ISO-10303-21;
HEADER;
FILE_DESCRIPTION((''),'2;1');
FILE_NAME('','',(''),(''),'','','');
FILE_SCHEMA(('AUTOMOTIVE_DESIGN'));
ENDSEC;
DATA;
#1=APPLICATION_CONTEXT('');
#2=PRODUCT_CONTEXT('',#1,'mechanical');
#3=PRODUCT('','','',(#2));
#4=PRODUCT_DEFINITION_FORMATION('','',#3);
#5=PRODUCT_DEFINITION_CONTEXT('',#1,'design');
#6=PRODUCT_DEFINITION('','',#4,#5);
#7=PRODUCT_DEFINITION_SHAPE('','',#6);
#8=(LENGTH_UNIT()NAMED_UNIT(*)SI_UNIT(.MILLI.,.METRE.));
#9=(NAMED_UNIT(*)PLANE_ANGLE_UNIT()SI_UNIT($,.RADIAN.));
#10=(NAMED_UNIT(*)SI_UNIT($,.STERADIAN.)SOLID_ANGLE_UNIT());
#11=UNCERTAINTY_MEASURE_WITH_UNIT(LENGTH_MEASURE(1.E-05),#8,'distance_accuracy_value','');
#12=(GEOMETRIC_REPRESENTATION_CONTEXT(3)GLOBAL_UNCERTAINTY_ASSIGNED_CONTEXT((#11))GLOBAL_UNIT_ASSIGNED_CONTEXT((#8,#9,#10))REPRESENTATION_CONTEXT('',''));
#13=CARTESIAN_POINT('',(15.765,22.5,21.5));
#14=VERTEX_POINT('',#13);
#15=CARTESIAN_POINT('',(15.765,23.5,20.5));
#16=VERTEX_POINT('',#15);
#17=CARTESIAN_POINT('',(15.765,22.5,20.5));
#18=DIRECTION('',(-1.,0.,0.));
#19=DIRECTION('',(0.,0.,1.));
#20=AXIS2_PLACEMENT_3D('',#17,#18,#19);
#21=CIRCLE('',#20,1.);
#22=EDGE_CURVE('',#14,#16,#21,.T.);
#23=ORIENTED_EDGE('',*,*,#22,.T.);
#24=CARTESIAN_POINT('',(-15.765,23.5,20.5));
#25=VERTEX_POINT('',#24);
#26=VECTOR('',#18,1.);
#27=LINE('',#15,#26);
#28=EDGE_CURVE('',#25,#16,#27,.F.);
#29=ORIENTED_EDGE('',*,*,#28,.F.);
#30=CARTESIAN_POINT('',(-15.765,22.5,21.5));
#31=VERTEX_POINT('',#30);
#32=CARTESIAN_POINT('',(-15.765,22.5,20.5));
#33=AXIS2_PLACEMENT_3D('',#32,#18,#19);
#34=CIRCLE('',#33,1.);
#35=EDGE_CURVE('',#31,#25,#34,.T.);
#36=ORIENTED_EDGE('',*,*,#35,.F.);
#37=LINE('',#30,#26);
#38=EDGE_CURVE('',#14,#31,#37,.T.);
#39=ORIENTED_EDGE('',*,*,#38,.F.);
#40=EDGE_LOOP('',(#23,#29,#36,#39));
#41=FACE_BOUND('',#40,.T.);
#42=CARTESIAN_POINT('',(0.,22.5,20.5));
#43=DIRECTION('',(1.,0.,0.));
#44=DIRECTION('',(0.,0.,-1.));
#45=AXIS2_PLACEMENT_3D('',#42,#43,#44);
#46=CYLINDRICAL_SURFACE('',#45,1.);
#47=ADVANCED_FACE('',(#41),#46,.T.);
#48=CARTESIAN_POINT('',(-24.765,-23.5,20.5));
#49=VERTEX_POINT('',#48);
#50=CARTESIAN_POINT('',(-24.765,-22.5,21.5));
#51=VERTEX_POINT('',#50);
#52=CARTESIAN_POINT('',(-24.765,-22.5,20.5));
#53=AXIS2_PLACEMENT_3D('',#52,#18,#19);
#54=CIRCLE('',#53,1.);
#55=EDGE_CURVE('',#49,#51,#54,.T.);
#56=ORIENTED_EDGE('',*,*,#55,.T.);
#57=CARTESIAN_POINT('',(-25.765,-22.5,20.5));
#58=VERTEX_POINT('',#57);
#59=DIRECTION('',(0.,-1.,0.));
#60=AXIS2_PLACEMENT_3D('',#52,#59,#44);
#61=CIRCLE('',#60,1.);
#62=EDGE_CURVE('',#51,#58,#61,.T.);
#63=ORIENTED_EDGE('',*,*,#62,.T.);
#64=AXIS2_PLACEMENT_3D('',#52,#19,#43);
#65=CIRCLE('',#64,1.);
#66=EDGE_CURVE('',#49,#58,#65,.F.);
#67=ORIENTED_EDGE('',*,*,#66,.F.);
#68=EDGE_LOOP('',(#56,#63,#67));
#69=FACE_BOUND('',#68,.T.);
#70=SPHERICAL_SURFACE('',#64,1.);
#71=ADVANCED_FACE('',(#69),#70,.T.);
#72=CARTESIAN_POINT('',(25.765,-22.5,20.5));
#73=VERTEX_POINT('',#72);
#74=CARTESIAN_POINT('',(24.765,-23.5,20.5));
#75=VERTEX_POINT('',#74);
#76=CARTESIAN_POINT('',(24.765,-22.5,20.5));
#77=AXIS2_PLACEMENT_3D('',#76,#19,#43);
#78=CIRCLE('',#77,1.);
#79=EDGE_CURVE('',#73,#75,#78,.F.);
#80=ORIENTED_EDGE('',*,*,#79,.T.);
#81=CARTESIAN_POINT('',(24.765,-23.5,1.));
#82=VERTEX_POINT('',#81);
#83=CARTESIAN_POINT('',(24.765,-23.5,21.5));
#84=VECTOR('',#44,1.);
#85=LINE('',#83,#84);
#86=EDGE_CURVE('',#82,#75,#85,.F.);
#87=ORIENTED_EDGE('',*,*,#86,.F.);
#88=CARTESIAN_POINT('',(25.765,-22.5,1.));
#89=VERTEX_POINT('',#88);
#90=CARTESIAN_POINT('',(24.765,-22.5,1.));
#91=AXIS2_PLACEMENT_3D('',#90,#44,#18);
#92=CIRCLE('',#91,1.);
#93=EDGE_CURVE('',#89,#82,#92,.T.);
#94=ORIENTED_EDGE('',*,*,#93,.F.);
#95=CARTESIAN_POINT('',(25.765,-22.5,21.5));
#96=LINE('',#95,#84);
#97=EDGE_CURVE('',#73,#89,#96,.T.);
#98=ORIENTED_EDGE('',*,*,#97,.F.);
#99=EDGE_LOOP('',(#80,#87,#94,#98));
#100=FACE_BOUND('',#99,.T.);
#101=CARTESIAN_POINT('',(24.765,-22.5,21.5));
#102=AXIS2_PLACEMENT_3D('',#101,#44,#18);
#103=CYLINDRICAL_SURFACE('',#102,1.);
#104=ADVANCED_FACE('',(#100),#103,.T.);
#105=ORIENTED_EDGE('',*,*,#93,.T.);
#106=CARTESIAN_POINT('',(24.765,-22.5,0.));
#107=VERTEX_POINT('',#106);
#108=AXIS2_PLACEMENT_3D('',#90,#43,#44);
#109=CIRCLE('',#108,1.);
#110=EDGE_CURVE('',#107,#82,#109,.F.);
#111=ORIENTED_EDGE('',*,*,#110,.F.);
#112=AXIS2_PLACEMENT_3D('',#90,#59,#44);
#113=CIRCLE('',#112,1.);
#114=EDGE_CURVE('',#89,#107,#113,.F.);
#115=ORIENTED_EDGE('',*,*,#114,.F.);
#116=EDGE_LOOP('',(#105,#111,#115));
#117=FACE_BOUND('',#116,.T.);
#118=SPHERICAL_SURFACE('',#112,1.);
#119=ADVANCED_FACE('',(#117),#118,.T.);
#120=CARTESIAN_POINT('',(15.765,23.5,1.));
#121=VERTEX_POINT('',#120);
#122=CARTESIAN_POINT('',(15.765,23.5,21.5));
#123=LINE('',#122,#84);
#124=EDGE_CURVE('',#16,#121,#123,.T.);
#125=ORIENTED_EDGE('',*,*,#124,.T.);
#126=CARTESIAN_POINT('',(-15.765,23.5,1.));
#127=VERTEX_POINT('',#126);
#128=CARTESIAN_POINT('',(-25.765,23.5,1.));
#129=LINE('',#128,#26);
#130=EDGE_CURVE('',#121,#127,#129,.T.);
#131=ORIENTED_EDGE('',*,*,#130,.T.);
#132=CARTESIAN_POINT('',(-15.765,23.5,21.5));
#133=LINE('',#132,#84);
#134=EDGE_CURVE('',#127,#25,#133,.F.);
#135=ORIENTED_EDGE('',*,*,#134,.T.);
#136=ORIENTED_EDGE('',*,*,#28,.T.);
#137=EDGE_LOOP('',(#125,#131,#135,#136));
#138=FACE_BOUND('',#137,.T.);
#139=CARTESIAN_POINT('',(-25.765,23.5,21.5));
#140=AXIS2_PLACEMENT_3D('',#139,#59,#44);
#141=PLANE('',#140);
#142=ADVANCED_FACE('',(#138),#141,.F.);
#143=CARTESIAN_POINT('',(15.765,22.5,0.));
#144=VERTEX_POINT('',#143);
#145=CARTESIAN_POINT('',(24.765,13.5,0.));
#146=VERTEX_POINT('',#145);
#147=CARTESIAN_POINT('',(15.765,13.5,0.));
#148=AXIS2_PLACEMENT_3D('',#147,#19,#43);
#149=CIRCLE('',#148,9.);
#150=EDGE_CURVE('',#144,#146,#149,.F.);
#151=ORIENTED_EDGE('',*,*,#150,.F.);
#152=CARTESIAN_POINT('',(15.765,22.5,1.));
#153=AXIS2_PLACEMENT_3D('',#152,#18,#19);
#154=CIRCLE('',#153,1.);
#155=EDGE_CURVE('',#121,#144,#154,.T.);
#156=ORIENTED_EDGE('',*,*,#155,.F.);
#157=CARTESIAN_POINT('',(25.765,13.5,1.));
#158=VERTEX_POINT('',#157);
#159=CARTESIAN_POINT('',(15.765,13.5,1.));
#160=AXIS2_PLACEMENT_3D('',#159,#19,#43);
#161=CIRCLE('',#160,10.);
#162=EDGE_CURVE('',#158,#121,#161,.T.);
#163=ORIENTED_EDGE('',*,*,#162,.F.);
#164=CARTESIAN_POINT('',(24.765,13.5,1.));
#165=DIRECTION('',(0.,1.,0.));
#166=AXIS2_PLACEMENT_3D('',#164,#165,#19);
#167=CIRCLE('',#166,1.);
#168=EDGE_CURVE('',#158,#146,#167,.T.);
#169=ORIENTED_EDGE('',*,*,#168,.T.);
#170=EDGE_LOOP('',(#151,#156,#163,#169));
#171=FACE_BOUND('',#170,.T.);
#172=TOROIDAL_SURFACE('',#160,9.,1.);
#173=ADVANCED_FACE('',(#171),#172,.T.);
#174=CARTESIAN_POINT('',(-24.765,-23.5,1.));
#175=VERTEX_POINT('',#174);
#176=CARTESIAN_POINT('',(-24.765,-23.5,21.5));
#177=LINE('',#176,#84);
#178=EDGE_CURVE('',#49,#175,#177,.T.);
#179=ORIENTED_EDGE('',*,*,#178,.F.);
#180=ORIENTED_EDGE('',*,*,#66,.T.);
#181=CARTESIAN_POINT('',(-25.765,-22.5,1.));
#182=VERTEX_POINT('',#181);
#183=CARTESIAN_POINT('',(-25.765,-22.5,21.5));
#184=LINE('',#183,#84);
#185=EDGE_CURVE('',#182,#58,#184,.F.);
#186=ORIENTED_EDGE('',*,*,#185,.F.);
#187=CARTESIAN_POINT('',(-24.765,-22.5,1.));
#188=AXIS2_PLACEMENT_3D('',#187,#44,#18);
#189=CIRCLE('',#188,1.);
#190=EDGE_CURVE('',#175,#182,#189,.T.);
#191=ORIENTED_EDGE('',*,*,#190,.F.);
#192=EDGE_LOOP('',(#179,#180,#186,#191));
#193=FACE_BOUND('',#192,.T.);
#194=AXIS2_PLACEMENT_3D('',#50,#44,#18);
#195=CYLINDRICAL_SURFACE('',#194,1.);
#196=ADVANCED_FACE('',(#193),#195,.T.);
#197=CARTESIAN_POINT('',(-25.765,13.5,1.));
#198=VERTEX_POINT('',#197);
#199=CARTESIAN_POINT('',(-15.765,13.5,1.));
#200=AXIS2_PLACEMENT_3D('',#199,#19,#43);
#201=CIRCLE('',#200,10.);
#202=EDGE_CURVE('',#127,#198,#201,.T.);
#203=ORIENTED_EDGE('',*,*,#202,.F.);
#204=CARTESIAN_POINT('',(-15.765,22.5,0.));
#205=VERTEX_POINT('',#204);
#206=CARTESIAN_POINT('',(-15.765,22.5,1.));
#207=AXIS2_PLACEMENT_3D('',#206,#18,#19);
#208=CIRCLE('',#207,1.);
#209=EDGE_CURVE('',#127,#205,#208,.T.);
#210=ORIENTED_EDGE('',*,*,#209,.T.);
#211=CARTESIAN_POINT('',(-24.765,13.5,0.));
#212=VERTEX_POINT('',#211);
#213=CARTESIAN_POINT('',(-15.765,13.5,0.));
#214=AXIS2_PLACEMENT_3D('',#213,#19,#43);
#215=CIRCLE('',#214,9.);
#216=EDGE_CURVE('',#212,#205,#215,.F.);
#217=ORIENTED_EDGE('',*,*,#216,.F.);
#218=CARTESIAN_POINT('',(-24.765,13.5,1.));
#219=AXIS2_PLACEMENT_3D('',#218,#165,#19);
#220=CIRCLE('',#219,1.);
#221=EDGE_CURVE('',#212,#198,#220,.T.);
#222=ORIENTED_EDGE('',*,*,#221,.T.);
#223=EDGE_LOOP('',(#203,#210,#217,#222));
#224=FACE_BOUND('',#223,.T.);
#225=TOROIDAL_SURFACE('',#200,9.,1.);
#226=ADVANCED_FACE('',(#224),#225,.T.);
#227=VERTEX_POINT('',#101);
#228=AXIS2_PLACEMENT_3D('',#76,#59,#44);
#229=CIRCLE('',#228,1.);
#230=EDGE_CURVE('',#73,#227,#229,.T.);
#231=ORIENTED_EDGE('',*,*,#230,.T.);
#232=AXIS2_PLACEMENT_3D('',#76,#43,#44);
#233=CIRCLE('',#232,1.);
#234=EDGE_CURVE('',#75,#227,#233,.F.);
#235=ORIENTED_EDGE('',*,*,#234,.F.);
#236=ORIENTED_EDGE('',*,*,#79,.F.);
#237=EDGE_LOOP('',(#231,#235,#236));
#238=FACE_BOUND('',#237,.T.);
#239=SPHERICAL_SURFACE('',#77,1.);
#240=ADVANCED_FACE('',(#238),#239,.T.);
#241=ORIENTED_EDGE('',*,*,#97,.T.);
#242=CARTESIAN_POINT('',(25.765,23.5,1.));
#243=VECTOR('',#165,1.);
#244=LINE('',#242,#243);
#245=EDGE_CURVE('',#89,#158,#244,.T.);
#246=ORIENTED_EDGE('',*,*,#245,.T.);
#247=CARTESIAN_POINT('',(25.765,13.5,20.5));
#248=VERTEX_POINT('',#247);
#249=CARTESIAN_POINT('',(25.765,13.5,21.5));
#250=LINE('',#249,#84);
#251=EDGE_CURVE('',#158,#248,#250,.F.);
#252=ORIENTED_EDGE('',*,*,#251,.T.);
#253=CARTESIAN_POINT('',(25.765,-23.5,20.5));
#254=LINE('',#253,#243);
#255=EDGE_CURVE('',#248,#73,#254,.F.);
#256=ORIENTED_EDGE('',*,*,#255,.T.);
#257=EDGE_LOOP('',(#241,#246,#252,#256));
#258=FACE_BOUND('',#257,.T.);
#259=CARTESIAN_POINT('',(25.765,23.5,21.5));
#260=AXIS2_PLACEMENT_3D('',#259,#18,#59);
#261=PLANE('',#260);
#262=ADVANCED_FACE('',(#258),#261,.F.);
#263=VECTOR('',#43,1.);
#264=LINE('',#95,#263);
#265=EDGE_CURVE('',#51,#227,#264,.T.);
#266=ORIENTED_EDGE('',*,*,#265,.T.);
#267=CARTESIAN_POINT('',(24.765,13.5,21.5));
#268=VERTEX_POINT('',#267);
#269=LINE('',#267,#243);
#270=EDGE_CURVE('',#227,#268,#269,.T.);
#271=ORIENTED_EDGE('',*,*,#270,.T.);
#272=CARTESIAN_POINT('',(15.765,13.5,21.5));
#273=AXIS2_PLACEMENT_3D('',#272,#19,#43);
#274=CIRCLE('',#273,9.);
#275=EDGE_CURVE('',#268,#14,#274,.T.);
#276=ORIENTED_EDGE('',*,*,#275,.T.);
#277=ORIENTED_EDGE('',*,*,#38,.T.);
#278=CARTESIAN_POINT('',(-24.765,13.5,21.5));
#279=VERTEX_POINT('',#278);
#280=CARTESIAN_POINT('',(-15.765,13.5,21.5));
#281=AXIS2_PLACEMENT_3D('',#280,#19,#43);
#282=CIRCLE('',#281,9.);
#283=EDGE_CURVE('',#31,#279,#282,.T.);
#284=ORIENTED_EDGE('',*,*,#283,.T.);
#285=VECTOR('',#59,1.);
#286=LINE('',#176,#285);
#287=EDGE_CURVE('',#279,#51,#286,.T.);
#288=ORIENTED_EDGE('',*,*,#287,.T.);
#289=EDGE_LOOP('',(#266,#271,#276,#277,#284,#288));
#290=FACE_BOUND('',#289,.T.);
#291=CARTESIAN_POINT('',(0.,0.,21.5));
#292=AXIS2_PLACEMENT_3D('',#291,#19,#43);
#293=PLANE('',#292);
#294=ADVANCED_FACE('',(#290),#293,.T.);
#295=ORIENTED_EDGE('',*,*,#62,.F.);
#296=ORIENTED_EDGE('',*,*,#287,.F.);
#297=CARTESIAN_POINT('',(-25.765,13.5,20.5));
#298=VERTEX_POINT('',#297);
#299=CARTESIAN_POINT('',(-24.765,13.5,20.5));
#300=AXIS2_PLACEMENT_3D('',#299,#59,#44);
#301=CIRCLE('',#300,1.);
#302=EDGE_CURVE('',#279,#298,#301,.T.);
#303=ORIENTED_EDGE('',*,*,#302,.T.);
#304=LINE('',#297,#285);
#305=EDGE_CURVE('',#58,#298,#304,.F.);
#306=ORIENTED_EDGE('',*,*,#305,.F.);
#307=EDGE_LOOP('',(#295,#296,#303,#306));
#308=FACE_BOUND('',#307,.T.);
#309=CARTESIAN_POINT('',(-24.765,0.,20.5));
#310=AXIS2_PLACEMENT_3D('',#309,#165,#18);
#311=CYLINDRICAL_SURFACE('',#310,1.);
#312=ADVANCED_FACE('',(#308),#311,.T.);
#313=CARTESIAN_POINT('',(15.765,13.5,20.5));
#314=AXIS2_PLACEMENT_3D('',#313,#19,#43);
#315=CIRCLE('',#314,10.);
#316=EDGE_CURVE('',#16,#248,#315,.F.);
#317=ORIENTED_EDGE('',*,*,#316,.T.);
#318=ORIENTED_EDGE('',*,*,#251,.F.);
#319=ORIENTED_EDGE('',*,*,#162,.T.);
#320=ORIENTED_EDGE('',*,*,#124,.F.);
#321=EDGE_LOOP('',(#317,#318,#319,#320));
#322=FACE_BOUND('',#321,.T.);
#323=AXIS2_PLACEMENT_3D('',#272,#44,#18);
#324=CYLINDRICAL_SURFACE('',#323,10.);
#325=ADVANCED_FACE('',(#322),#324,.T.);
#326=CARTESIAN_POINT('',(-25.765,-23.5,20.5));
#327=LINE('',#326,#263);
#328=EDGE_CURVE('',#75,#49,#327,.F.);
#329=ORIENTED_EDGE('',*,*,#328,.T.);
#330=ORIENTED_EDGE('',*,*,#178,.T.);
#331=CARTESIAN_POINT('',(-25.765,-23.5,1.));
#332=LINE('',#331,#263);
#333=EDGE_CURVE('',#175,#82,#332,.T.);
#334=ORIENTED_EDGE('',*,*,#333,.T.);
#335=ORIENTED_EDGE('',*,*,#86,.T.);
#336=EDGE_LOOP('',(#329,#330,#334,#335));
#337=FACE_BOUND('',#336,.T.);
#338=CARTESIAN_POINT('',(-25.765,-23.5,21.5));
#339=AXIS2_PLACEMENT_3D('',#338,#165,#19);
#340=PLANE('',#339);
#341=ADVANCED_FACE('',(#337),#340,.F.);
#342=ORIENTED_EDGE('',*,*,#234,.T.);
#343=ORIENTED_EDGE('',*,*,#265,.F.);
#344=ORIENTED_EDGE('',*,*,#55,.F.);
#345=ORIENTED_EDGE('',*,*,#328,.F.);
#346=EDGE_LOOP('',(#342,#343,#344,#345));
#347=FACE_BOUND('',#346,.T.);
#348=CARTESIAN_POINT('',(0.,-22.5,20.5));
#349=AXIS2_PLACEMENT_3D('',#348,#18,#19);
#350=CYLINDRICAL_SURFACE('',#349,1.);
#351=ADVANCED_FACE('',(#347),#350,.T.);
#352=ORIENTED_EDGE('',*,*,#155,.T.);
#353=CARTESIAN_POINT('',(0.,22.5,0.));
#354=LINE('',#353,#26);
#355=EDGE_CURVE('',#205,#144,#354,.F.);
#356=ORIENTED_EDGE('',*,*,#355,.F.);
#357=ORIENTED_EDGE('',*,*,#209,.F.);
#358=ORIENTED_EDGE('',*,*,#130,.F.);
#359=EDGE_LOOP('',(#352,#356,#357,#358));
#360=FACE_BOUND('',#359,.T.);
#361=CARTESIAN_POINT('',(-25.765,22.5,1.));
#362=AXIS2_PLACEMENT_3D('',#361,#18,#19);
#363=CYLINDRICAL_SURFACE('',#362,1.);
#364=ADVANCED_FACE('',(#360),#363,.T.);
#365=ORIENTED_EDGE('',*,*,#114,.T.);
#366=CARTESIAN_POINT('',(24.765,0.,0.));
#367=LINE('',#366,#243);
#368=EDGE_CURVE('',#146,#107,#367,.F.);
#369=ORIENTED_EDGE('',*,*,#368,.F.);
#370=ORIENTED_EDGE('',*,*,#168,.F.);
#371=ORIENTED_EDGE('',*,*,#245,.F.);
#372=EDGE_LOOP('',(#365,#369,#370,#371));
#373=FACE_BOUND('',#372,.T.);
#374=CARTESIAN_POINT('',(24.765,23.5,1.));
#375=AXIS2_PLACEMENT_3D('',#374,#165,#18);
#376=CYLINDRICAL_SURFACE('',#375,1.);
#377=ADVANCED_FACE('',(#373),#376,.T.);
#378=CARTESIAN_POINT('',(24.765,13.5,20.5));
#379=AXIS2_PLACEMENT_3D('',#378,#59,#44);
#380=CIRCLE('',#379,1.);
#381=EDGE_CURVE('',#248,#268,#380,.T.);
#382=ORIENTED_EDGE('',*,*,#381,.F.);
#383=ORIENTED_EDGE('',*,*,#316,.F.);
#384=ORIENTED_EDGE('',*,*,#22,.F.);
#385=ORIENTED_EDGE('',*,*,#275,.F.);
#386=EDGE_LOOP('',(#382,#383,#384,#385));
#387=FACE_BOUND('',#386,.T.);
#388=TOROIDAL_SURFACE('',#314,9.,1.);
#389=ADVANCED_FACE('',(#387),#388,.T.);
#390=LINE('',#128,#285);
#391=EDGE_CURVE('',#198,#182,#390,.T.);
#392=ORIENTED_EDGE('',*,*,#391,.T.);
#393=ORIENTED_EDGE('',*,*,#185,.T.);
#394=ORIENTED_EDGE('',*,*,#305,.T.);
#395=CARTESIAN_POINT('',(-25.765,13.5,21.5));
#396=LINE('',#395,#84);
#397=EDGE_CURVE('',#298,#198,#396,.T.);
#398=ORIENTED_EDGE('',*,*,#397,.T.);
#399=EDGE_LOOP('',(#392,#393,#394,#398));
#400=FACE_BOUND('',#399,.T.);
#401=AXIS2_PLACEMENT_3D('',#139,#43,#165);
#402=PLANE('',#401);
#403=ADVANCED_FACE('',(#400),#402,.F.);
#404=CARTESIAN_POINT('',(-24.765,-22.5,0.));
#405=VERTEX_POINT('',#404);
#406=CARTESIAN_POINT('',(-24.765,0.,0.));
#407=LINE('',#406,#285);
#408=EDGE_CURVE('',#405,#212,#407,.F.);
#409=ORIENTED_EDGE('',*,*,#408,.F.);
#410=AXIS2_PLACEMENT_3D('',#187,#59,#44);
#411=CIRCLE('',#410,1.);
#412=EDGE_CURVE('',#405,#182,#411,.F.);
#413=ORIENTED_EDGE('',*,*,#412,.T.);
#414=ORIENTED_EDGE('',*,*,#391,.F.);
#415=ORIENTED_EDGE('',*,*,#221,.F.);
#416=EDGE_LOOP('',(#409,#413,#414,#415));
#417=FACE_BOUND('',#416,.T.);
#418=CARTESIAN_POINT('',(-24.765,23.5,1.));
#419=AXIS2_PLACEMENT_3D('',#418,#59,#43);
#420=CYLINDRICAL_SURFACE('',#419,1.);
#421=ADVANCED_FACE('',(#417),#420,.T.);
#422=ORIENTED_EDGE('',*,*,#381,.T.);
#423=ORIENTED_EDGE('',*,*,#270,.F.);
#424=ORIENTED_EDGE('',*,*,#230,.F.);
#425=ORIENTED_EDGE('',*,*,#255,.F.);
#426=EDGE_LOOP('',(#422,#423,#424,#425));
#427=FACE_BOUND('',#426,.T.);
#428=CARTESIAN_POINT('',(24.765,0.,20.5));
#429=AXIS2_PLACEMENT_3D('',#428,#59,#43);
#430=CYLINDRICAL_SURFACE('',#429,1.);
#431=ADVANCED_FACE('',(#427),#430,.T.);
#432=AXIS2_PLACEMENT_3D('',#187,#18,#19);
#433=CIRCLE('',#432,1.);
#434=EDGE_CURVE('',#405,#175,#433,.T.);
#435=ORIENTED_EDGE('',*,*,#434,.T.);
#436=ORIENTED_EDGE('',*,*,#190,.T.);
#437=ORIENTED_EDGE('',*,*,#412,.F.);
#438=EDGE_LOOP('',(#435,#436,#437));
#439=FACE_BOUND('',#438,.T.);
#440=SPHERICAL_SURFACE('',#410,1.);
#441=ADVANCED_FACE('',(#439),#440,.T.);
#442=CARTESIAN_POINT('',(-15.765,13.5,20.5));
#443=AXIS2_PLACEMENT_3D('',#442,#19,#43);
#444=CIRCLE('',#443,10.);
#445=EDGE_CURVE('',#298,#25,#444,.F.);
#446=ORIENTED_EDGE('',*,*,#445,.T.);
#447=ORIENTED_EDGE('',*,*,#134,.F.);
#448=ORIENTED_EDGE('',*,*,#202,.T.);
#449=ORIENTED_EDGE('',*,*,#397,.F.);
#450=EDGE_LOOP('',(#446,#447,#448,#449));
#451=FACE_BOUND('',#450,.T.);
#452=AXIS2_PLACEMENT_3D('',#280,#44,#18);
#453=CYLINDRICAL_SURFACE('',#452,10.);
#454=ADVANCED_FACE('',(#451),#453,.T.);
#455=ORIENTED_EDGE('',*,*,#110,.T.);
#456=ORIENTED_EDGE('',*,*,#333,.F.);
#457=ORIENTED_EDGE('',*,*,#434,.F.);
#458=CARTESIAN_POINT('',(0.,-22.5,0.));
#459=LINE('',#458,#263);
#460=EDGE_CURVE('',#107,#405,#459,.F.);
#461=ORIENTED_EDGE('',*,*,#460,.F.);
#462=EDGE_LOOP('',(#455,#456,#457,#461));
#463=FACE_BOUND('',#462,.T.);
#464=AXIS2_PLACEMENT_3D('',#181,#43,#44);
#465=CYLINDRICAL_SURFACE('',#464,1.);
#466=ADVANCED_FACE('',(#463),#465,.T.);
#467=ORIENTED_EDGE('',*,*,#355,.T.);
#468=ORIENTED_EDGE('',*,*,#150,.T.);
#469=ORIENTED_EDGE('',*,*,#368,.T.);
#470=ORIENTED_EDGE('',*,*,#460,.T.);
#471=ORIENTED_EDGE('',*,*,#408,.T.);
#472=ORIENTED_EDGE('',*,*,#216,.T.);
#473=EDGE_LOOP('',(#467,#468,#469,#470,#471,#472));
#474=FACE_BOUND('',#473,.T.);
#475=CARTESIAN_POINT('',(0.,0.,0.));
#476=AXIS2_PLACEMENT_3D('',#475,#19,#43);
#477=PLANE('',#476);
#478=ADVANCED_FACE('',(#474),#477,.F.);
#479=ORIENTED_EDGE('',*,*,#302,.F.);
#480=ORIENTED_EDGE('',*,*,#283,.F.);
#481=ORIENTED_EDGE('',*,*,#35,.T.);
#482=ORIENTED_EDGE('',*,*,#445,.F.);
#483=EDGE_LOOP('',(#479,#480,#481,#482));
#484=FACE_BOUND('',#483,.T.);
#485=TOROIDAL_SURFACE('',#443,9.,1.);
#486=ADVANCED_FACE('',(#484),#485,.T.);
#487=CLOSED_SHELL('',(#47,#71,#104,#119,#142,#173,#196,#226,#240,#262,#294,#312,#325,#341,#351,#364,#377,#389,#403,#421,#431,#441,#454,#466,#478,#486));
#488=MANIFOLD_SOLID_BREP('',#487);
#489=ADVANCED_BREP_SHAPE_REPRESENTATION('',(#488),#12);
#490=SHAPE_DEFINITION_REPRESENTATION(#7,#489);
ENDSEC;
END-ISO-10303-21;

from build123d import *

# Parameters (mm, degrees)
CROQUIS1_W              = 51.53
CROQUIS1_H              = 47
SALIENTE_EXTRUIR1_DEPTH = 21.5
REDONDEO4_R             = 10
REDONDEO3_R             = 1


with BuildPart() as part:
    # Croquis1 → Saliente-Extruir1 (new body)
    with BuildSketch(Plane.XY):
        Rectangle(CROQUIS1_W, CROQUIS1_H)
    extrude(amount=SALIENTE_EXTRUIR1_DEPTH)

    # Redondeo4
    redondeo4_edges = [part.edges().sort_by_distance(p)[0] for p in [
        (-25.765, 23.5, 10.75),
        (25.765, 23.5, 10.75),
    ]]
    fillet(redondeo4_edges, radius=REDONDEO4_R)

    # Redondeo3
    redondeo3_edges = [part.edges().sort_by_distance(p)[0] for p in [
        (-25.765, -5, 0),
        (-25.765, -5, 21.5),
        (0, 23.5, 0),
        (22.836067812, 20.571067812, 0),
        (0, -23.5, 21.5),
        (-22.836067812, 20.571067812, 0),
        (0, 23.5, 21.5),
        (22.836067812, 20.571067812, 21.5),
        (-22.836067812, 20.571067812, 21.5),
        (25.765, -5, 21.5),
        (0, -23.5, 0),
        (25.765, -5, 0),
        (25.765, -23.5, 10.75),
        (-25.765, -23.5, 10.75),
    ]]
    fillet(redondeo3_edges, radius=REDONDEO3_R)


solid = part.part
